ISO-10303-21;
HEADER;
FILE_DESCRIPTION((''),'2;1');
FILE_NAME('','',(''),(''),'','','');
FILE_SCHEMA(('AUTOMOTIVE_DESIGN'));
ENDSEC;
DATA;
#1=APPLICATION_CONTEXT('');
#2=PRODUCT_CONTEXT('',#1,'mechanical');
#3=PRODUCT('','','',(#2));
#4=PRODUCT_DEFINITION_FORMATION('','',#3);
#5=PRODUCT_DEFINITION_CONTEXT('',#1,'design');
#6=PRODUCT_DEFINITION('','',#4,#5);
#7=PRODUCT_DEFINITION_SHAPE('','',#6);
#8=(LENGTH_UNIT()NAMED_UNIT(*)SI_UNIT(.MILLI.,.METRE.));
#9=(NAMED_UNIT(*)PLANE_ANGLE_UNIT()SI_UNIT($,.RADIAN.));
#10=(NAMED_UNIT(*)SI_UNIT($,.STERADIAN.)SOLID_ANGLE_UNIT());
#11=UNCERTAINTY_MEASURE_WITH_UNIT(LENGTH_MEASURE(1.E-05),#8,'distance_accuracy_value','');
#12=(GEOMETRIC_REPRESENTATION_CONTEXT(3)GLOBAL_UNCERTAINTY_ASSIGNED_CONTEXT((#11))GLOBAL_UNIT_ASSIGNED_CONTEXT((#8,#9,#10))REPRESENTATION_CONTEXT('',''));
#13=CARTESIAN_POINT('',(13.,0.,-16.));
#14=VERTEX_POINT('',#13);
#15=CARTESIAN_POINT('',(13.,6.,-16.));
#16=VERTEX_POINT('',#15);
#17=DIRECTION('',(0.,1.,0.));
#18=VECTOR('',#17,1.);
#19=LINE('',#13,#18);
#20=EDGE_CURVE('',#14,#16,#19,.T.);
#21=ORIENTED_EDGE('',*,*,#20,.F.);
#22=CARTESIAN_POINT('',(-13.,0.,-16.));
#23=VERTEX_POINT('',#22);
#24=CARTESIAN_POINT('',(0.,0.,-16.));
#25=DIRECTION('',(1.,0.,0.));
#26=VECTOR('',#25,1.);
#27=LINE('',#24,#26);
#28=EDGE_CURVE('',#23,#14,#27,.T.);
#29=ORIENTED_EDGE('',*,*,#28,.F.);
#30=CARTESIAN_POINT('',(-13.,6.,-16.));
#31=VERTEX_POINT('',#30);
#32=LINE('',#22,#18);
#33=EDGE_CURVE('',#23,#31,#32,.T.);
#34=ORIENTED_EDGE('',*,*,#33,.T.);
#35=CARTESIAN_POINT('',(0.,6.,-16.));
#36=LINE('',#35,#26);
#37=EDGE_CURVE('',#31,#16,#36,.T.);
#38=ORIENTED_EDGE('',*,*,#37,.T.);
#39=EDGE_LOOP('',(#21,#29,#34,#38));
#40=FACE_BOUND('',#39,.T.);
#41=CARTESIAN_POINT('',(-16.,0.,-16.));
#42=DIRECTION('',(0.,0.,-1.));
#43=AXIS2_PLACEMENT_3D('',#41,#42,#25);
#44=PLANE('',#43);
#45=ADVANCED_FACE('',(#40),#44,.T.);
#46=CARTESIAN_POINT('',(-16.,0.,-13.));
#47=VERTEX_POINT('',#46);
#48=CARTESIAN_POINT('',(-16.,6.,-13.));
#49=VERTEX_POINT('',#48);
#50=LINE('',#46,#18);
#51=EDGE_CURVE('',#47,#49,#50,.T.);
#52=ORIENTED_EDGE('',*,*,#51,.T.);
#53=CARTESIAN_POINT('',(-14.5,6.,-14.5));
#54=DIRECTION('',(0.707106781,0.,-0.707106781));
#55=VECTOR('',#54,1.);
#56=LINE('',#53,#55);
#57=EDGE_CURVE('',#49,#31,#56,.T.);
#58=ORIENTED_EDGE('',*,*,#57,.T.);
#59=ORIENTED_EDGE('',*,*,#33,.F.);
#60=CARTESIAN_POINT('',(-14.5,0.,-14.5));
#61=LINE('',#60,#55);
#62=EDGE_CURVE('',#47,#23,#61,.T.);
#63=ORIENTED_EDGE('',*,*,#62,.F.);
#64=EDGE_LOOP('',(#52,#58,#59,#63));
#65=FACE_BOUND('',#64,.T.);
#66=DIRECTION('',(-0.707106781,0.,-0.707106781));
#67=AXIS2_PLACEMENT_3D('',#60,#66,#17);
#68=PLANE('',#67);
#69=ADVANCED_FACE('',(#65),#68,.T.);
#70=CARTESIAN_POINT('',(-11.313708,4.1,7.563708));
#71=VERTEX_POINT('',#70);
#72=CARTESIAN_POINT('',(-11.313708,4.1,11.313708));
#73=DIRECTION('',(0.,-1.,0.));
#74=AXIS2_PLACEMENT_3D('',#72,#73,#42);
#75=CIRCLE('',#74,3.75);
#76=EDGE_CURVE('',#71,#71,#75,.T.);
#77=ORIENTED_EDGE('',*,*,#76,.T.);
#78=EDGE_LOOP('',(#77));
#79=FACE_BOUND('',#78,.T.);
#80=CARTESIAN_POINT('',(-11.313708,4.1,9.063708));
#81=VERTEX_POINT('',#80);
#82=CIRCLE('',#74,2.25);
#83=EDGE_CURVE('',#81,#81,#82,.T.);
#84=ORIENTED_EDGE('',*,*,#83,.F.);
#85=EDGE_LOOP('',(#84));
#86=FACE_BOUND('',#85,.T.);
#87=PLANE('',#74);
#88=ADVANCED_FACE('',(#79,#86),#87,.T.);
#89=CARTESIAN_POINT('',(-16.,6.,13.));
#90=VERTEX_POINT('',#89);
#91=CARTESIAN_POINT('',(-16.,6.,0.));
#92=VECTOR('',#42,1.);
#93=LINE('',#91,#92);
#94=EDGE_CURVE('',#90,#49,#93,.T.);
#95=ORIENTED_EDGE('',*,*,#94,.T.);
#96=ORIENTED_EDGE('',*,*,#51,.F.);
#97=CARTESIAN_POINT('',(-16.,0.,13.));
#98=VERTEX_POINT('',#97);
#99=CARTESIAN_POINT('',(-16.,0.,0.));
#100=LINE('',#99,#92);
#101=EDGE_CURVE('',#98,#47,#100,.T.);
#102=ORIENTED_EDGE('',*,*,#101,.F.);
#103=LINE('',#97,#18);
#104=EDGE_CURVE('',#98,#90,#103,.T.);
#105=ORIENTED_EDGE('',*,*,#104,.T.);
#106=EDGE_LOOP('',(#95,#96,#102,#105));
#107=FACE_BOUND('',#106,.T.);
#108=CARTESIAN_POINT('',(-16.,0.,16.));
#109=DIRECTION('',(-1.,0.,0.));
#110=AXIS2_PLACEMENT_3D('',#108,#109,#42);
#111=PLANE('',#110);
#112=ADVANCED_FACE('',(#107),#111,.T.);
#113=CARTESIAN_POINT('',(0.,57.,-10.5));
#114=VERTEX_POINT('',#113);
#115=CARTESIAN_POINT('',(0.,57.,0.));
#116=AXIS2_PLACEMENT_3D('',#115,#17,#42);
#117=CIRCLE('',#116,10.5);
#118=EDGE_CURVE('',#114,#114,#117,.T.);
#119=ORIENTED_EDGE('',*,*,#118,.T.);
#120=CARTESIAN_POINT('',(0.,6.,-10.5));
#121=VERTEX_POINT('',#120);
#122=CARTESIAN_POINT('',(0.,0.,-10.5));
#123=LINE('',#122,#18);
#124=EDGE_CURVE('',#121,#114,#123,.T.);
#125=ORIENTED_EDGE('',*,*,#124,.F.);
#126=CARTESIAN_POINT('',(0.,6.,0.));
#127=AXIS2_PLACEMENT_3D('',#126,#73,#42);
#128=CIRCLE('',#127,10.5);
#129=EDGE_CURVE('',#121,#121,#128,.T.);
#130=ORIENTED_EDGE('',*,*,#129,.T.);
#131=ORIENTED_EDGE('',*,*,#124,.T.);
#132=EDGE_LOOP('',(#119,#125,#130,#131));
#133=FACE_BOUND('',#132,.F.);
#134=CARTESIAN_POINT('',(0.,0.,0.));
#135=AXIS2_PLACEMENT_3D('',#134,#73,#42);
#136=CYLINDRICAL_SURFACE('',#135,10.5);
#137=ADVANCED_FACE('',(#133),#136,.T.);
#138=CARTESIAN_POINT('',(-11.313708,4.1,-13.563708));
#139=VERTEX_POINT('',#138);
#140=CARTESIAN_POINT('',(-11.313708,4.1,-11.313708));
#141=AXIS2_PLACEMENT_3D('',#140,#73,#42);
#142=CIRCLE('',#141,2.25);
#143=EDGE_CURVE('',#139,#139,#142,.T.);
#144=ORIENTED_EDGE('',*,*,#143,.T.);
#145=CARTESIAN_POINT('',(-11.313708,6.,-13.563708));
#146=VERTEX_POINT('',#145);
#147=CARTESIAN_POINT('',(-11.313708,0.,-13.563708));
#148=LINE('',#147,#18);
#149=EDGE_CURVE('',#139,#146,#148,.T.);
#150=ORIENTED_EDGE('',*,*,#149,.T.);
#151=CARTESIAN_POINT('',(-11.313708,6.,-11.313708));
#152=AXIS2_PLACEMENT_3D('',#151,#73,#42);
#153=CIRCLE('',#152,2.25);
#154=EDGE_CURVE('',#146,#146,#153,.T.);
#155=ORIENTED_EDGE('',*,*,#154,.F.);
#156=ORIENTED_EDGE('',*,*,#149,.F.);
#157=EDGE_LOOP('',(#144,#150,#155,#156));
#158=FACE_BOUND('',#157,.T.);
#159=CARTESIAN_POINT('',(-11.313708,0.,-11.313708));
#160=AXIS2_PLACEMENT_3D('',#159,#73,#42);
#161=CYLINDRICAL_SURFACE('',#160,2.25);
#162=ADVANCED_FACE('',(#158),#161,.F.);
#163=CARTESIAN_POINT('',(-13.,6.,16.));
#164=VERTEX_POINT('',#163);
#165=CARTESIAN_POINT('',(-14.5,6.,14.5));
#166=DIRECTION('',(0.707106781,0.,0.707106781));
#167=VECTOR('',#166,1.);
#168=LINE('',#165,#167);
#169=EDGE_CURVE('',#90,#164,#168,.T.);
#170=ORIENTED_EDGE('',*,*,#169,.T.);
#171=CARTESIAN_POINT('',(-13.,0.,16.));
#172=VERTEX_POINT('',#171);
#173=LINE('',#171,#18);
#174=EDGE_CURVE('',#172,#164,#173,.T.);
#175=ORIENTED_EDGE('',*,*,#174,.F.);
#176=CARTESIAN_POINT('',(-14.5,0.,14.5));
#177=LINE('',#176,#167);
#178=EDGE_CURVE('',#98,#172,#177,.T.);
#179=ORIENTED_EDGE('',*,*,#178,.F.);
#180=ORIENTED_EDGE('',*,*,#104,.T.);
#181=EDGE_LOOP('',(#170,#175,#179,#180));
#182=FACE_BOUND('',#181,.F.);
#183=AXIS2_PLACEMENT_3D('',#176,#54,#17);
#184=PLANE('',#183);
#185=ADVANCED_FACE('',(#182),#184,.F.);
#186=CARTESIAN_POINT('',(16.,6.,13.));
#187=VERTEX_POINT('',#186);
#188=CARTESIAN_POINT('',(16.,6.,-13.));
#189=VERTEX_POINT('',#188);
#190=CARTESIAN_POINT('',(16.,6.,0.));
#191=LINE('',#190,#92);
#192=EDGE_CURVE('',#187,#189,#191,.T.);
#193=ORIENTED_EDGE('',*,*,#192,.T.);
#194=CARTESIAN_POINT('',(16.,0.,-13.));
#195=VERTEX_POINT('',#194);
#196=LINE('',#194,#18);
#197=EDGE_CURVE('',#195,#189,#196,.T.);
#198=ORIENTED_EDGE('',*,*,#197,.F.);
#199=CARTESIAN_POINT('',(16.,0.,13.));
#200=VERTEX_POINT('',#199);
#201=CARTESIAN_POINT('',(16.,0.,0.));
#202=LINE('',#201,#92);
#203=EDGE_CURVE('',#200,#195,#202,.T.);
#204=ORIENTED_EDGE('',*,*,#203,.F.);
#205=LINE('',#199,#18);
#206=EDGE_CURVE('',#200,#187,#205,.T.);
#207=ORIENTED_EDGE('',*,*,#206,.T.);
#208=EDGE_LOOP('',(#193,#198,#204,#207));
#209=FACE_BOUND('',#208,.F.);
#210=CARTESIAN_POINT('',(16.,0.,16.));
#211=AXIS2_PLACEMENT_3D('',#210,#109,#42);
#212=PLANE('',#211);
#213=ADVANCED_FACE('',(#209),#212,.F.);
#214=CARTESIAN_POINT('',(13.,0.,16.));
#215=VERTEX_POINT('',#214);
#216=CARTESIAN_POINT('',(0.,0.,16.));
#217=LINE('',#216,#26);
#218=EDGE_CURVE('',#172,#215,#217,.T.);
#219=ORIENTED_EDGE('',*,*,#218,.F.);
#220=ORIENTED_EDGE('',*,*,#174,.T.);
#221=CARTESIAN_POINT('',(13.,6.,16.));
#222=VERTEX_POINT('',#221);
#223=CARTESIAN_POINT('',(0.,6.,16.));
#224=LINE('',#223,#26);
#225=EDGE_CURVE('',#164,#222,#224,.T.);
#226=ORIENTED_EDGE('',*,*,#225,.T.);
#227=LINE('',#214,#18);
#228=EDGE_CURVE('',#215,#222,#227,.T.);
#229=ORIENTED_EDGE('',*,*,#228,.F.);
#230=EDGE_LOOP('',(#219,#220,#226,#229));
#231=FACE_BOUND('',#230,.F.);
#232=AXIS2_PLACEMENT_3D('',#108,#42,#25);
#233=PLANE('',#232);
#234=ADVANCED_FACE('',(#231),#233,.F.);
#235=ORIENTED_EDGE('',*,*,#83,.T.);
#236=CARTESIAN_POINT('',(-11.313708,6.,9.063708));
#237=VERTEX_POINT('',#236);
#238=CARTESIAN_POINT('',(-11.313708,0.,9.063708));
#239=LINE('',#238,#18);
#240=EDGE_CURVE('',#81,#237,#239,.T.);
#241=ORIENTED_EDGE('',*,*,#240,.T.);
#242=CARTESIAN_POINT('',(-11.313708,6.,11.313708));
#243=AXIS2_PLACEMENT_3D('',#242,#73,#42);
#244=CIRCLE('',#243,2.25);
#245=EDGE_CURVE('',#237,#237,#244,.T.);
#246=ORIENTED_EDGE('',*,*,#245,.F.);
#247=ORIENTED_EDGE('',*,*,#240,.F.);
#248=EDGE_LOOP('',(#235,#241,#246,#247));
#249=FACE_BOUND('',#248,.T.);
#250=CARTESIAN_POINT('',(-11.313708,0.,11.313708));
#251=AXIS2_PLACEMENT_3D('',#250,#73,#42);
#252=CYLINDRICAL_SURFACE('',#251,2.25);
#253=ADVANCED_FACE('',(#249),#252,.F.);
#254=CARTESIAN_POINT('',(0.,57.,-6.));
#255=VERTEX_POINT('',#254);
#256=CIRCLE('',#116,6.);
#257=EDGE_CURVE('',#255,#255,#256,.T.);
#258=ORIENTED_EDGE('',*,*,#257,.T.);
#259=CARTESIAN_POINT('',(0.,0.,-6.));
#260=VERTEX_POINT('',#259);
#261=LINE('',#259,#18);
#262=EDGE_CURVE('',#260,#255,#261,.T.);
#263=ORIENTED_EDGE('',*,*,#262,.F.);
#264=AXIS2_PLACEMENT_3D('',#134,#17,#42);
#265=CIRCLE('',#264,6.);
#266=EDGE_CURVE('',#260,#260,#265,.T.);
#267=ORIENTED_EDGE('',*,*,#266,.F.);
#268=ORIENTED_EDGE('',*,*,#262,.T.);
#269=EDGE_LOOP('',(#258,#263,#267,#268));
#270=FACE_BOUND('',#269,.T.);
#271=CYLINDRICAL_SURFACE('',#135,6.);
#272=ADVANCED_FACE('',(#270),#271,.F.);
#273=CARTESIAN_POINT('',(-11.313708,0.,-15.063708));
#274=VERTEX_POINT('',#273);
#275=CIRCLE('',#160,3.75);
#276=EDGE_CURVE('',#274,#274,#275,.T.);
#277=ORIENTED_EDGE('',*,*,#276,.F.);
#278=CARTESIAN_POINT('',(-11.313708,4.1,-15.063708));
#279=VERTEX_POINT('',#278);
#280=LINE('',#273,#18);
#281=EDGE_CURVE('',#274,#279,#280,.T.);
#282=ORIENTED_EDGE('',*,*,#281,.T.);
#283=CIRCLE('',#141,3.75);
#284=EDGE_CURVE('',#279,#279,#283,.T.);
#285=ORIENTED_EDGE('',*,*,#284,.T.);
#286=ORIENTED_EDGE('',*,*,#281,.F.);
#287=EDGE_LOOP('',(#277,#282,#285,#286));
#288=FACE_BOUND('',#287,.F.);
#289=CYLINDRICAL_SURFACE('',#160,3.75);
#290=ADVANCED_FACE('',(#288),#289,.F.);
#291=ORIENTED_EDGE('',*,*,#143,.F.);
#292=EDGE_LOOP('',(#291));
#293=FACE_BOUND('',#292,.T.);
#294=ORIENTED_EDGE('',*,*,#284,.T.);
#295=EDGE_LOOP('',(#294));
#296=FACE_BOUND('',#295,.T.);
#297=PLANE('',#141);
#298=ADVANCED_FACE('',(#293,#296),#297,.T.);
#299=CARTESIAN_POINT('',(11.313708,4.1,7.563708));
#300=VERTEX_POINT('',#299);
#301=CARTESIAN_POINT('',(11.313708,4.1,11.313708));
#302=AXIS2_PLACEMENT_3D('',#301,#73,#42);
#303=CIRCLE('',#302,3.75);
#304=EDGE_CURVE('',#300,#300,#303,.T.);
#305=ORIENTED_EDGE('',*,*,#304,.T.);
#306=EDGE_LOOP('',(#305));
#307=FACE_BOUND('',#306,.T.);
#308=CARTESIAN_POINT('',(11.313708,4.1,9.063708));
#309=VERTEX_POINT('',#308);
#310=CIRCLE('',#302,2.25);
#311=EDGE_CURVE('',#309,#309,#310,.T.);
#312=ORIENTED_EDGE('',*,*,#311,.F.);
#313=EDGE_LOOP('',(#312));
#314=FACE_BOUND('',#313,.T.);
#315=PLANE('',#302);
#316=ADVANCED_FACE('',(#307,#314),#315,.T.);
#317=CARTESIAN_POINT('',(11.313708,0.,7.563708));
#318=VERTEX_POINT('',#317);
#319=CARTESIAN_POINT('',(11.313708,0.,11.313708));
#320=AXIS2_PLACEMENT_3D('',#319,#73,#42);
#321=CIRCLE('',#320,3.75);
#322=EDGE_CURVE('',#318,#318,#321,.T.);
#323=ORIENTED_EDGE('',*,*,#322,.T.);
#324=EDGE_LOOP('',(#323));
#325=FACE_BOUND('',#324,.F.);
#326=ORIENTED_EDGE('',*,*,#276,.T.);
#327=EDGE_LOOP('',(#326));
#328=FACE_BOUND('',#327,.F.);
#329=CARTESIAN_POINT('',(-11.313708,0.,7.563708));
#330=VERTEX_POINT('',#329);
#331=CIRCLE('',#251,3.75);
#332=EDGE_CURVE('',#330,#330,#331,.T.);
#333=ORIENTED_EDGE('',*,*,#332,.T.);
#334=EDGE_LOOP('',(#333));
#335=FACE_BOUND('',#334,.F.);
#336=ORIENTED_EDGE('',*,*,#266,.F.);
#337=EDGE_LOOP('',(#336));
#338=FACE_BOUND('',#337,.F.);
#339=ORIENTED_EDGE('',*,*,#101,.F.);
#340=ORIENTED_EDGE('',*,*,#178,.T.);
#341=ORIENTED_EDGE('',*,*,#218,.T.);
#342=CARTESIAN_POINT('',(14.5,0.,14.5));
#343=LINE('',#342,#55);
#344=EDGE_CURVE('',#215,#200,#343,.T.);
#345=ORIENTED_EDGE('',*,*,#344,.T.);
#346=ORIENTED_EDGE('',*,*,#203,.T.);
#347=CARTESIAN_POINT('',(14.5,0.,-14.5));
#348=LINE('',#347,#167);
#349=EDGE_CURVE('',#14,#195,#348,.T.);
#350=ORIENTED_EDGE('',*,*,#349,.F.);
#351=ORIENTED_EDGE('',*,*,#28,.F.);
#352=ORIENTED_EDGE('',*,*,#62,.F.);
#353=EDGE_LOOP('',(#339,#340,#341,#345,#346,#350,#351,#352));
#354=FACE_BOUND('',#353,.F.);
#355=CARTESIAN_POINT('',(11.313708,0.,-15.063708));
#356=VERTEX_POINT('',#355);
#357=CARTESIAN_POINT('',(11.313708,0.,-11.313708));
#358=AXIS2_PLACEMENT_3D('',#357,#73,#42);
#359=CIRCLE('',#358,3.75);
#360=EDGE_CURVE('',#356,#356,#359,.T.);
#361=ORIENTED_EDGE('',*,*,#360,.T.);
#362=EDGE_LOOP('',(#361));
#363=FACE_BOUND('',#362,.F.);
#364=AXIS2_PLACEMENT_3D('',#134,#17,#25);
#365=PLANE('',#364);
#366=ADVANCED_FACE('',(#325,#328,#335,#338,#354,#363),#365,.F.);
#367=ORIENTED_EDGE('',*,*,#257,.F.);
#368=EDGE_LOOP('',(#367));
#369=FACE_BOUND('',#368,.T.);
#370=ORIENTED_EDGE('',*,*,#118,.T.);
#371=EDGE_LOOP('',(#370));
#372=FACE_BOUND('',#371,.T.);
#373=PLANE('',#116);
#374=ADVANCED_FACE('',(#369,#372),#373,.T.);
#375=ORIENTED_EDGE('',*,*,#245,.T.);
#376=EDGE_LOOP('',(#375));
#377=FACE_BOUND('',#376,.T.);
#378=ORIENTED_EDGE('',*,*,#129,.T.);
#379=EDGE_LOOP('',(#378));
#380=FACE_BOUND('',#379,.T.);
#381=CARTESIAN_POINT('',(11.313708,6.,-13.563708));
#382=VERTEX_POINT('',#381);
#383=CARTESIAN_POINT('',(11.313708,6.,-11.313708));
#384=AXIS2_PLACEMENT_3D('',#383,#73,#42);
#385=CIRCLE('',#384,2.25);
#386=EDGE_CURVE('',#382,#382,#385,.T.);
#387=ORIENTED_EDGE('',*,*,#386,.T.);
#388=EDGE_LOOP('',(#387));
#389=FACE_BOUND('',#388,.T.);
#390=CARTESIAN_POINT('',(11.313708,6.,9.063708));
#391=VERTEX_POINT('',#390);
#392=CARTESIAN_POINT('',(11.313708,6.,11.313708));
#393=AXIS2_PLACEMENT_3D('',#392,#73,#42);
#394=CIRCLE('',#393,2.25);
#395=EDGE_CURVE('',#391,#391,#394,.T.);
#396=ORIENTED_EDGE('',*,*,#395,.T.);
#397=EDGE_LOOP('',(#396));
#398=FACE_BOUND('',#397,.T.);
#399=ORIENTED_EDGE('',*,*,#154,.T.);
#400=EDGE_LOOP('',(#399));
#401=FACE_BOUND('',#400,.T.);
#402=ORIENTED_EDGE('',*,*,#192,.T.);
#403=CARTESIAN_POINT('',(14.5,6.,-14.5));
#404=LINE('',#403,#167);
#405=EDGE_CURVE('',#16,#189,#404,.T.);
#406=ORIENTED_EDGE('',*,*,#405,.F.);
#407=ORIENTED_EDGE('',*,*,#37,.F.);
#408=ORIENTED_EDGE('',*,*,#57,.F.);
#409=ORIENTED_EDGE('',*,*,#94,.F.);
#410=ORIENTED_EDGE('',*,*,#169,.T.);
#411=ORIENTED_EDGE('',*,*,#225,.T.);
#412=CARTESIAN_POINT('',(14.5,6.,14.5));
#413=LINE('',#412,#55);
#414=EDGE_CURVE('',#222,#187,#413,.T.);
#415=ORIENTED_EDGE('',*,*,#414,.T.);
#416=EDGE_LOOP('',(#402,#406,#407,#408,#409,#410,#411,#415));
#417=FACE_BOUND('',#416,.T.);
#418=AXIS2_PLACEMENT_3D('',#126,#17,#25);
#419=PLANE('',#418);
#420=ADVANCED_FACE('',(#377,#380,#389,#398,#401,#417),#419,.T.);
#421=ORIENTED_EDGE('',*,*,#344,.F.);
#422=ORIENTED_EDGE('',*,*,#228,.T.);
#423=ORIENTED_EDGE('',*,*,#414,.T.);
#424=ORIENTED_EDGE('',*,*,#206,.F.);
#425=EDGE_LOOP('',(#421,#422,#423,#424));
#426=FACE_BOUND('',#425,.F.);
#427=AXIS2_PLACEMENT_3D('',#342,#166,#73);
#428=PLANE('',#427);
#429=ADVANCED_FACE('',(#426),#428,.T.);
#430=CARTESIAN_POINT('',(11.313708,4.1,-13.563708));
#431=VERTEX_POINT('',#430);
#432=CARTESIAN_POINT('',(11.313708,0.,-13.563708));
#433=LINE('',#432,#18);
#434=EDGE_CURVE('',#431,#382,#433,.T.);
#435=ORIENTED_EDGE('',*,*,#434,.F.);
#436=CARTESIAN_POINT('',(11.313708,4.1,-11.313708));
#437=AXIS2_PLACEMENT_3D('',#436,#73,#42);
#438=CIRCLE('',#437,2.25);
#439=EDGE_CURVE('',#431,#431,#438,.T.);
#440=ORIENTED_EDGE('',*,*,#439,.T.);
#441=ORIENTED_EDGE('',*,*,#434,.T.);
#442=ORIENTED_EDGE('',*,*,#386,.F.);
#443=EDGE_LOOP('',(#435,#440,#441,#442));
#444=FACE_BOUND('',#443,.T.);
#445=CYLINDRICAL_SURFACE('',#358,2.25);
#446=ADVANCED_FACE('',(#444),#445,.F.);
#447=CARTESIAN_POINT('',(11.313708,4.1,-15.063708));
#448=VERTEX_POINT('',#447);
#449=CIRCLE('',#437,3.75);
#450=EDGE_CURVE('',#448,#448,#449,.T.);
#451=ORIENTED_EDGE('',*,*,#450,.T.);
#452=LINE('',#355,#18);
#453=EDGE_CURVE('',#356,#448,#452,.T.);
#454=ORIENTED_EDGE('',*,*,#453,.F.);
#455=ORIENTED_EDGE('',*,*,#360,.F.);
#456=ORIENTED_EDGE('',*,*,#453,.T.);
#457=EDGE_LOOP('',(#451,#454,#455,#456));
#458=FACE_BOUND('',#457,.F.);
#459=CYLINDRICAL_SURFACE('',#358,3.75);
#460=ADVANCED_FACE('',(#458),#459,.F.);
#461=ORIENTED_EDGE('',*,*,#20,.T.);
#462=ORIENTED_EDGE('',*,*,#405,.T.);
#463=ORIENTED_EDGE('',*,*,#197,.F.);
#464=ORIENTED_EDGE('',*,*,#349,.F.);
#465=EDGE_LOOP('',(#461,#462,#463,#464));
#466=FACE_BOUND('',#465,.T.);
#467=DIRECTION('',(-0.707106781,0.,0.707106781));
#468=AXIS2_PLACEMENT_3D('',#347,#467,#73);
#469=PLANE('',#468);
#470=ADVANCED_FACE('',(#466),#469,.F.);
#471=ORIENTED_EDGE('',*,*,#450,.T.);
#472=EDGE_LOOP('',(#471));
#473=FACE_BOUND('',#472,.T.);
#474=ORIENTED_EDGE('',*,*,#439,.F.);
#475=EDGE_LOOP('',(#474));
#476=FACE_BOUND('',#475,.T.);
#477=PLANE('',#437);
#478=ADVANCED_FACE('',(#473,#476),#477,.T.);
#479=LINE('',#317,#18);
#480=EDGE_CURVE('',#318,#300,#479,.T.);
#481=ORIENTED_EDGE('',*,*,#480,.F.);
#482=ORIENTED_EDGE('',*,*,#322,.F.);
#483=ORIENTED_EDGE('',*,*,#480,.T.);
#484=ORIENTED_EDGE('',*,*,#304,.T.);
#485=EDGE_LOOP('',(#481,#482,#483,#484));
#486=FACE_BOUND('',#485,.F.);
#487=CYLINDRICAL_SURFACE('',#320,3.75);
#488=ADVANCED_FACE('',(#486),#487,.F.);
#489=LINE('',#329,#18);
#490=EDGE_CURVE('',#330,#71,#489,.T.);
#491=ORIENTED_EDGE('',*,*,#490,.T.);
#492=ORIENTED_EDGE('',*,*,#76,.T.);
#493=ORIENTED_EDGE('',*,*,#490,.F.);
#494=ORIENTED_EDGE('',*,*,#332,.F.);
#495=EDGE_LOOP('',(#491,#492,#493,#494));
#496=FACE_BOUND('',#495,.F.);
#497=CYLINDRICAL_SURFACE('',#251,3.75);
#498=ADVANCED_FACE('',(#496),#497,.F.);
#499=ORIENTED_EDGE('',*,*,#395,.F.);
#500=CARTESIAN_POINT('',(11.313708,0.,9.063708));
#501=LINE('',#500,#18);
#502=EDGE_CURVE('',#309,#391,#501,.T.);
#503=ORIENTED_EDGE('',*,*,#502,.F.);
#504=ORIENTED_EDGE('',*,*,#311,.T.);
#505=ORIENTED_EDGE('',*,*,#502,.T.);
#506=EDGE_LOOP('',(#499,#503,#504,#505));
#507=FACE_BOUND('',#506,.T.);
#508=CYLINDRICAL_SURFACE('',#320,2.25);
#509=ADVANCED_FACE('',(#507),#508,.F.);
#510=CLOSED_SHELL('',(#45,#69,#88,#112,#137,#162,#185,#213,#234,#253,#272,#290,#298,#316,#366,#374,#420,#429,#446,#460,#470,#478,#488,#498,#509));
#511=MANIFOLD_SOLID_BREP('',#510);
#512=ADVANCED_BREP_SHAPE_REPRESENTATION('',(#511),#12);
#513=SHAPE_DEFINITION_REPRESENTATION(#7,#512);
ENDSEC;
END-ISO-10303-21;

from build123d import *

# Parameters (mm, degrees)
SKETCH1_R           = 10.5
SKETCH1_R_2         = 6
BOSS_EXTRUDE1_DEPTH = 57
SKETCH2_W           = 32
SKETCH2_H           = 32
SKETCH2_R           = 6
BOSS_EXTRUDE2_DEPTH = 6
SKETCH3_R           = 2.25
CUT_EXTRUDE1_DEPTH  = 62.326992426
CHAMFER1_SIZE       = 3
SKETCH5_R           = 3.75
CUT_EXTRUDE2_DEPTH  = 4.1


with BuildPart() as part:
    # Sketch1 → Boss-Extrude1 (new body)
    with BuildSketch(Plane(origin=(0, 0, 0), x_dir=(1, 0, 0), z_dir=(0, 1, 0))):
        with Locations(Location((0, 0, 0), (0, 0, 90))):
            Circle(SKETCH1_R)
        with Locations(Location((0, 0, 0), (0, 0, 90))):
            Circle(SKETCH1_R_2, mode=Mode.SUBTRACT)
    extrude(amount=BOSS_EXTRUDE1_DEPTH)

    # Sketch2 → Boss-Extrude2 (add)
    with BuildSketch(Plane(origin=(0, 0, 0), x_dir=(1, 0, 0), z_dir=(0, 1, 0))):
        Rectangle(SKETCH2_W, SKETCH2_H)
        with Locations(Location((0, 0, 0), (0, 0, 90))):
            Circle(SKETCH2_R, mode=Mode.SUBTRACT)
    extrude(amount=BOSS_EXTRUDE2_DEPTH)

    # Sketch3 → Cut-Extrude1 (cut, through all)
    with BuildSketch(Plane(origin=(0, 0, 0), x_dir=(1, 0, 0), z_dir=(0, 1, 0))):
        with Locations(Location((-11.313708499, 11.313708499, 0), (0, 0, 90))):
            Circle(SKETCH3_R)
        with Locations(Location((-11.313708499, -11.313708499, 0), (0, 0, 90))):
            Circle(SKETCH3_R)
        with Locations(Location((11.313708499, -11.313708499, 0), (0, 0, 90))):
            Circle(SKETCH3_R)
        with Locations(Location((11.313708499, 11.313708499, 0), (0, 0, 90))):
            Circle(SKETCH3_R)
    extrude(amount=CUT_EXTRUDE1_DEPTH, mode=Mode.SUBTRACT)

    # Chamfer1
    chamfer1_edges = [part.edges().sort_by_distance(p)[0] for p in [
        (16, 3, 16),
        (16, 3, -16),
        (-16, 3, -16),
        (-16, 3, 16),
    ]]
    chamfer(chamfer1_edges, length=CHAMFER1_SIZE)

    # Sketch5 → Cut-Extrude2 (cut)
    with BuildSketch(Plane.XZ):
        with Locations(Location((-11.313708499, 11.313708499, 0), (0, 0, 270))):
            Circle(SKETCH5_R)
        with Locations(Location((11.313708499, 11.313708499, 0), (0, 0, 270))):
            Circle(SKETCH5_R)
        with Locations(Location((11.313708499, -11.313708499, 0), (0, 0, 270))):
            Circle(SKETCH5_R)
        with Locations(Location((-11.313708499, -11.313708499, 0), (0, 0, 270))):
            Circle(SKETCH5_R)
    extrude(amount=-CUT_EXTRUDE2_DEPTH, mode=Mode.SUBTRACT)


solid = part.part
